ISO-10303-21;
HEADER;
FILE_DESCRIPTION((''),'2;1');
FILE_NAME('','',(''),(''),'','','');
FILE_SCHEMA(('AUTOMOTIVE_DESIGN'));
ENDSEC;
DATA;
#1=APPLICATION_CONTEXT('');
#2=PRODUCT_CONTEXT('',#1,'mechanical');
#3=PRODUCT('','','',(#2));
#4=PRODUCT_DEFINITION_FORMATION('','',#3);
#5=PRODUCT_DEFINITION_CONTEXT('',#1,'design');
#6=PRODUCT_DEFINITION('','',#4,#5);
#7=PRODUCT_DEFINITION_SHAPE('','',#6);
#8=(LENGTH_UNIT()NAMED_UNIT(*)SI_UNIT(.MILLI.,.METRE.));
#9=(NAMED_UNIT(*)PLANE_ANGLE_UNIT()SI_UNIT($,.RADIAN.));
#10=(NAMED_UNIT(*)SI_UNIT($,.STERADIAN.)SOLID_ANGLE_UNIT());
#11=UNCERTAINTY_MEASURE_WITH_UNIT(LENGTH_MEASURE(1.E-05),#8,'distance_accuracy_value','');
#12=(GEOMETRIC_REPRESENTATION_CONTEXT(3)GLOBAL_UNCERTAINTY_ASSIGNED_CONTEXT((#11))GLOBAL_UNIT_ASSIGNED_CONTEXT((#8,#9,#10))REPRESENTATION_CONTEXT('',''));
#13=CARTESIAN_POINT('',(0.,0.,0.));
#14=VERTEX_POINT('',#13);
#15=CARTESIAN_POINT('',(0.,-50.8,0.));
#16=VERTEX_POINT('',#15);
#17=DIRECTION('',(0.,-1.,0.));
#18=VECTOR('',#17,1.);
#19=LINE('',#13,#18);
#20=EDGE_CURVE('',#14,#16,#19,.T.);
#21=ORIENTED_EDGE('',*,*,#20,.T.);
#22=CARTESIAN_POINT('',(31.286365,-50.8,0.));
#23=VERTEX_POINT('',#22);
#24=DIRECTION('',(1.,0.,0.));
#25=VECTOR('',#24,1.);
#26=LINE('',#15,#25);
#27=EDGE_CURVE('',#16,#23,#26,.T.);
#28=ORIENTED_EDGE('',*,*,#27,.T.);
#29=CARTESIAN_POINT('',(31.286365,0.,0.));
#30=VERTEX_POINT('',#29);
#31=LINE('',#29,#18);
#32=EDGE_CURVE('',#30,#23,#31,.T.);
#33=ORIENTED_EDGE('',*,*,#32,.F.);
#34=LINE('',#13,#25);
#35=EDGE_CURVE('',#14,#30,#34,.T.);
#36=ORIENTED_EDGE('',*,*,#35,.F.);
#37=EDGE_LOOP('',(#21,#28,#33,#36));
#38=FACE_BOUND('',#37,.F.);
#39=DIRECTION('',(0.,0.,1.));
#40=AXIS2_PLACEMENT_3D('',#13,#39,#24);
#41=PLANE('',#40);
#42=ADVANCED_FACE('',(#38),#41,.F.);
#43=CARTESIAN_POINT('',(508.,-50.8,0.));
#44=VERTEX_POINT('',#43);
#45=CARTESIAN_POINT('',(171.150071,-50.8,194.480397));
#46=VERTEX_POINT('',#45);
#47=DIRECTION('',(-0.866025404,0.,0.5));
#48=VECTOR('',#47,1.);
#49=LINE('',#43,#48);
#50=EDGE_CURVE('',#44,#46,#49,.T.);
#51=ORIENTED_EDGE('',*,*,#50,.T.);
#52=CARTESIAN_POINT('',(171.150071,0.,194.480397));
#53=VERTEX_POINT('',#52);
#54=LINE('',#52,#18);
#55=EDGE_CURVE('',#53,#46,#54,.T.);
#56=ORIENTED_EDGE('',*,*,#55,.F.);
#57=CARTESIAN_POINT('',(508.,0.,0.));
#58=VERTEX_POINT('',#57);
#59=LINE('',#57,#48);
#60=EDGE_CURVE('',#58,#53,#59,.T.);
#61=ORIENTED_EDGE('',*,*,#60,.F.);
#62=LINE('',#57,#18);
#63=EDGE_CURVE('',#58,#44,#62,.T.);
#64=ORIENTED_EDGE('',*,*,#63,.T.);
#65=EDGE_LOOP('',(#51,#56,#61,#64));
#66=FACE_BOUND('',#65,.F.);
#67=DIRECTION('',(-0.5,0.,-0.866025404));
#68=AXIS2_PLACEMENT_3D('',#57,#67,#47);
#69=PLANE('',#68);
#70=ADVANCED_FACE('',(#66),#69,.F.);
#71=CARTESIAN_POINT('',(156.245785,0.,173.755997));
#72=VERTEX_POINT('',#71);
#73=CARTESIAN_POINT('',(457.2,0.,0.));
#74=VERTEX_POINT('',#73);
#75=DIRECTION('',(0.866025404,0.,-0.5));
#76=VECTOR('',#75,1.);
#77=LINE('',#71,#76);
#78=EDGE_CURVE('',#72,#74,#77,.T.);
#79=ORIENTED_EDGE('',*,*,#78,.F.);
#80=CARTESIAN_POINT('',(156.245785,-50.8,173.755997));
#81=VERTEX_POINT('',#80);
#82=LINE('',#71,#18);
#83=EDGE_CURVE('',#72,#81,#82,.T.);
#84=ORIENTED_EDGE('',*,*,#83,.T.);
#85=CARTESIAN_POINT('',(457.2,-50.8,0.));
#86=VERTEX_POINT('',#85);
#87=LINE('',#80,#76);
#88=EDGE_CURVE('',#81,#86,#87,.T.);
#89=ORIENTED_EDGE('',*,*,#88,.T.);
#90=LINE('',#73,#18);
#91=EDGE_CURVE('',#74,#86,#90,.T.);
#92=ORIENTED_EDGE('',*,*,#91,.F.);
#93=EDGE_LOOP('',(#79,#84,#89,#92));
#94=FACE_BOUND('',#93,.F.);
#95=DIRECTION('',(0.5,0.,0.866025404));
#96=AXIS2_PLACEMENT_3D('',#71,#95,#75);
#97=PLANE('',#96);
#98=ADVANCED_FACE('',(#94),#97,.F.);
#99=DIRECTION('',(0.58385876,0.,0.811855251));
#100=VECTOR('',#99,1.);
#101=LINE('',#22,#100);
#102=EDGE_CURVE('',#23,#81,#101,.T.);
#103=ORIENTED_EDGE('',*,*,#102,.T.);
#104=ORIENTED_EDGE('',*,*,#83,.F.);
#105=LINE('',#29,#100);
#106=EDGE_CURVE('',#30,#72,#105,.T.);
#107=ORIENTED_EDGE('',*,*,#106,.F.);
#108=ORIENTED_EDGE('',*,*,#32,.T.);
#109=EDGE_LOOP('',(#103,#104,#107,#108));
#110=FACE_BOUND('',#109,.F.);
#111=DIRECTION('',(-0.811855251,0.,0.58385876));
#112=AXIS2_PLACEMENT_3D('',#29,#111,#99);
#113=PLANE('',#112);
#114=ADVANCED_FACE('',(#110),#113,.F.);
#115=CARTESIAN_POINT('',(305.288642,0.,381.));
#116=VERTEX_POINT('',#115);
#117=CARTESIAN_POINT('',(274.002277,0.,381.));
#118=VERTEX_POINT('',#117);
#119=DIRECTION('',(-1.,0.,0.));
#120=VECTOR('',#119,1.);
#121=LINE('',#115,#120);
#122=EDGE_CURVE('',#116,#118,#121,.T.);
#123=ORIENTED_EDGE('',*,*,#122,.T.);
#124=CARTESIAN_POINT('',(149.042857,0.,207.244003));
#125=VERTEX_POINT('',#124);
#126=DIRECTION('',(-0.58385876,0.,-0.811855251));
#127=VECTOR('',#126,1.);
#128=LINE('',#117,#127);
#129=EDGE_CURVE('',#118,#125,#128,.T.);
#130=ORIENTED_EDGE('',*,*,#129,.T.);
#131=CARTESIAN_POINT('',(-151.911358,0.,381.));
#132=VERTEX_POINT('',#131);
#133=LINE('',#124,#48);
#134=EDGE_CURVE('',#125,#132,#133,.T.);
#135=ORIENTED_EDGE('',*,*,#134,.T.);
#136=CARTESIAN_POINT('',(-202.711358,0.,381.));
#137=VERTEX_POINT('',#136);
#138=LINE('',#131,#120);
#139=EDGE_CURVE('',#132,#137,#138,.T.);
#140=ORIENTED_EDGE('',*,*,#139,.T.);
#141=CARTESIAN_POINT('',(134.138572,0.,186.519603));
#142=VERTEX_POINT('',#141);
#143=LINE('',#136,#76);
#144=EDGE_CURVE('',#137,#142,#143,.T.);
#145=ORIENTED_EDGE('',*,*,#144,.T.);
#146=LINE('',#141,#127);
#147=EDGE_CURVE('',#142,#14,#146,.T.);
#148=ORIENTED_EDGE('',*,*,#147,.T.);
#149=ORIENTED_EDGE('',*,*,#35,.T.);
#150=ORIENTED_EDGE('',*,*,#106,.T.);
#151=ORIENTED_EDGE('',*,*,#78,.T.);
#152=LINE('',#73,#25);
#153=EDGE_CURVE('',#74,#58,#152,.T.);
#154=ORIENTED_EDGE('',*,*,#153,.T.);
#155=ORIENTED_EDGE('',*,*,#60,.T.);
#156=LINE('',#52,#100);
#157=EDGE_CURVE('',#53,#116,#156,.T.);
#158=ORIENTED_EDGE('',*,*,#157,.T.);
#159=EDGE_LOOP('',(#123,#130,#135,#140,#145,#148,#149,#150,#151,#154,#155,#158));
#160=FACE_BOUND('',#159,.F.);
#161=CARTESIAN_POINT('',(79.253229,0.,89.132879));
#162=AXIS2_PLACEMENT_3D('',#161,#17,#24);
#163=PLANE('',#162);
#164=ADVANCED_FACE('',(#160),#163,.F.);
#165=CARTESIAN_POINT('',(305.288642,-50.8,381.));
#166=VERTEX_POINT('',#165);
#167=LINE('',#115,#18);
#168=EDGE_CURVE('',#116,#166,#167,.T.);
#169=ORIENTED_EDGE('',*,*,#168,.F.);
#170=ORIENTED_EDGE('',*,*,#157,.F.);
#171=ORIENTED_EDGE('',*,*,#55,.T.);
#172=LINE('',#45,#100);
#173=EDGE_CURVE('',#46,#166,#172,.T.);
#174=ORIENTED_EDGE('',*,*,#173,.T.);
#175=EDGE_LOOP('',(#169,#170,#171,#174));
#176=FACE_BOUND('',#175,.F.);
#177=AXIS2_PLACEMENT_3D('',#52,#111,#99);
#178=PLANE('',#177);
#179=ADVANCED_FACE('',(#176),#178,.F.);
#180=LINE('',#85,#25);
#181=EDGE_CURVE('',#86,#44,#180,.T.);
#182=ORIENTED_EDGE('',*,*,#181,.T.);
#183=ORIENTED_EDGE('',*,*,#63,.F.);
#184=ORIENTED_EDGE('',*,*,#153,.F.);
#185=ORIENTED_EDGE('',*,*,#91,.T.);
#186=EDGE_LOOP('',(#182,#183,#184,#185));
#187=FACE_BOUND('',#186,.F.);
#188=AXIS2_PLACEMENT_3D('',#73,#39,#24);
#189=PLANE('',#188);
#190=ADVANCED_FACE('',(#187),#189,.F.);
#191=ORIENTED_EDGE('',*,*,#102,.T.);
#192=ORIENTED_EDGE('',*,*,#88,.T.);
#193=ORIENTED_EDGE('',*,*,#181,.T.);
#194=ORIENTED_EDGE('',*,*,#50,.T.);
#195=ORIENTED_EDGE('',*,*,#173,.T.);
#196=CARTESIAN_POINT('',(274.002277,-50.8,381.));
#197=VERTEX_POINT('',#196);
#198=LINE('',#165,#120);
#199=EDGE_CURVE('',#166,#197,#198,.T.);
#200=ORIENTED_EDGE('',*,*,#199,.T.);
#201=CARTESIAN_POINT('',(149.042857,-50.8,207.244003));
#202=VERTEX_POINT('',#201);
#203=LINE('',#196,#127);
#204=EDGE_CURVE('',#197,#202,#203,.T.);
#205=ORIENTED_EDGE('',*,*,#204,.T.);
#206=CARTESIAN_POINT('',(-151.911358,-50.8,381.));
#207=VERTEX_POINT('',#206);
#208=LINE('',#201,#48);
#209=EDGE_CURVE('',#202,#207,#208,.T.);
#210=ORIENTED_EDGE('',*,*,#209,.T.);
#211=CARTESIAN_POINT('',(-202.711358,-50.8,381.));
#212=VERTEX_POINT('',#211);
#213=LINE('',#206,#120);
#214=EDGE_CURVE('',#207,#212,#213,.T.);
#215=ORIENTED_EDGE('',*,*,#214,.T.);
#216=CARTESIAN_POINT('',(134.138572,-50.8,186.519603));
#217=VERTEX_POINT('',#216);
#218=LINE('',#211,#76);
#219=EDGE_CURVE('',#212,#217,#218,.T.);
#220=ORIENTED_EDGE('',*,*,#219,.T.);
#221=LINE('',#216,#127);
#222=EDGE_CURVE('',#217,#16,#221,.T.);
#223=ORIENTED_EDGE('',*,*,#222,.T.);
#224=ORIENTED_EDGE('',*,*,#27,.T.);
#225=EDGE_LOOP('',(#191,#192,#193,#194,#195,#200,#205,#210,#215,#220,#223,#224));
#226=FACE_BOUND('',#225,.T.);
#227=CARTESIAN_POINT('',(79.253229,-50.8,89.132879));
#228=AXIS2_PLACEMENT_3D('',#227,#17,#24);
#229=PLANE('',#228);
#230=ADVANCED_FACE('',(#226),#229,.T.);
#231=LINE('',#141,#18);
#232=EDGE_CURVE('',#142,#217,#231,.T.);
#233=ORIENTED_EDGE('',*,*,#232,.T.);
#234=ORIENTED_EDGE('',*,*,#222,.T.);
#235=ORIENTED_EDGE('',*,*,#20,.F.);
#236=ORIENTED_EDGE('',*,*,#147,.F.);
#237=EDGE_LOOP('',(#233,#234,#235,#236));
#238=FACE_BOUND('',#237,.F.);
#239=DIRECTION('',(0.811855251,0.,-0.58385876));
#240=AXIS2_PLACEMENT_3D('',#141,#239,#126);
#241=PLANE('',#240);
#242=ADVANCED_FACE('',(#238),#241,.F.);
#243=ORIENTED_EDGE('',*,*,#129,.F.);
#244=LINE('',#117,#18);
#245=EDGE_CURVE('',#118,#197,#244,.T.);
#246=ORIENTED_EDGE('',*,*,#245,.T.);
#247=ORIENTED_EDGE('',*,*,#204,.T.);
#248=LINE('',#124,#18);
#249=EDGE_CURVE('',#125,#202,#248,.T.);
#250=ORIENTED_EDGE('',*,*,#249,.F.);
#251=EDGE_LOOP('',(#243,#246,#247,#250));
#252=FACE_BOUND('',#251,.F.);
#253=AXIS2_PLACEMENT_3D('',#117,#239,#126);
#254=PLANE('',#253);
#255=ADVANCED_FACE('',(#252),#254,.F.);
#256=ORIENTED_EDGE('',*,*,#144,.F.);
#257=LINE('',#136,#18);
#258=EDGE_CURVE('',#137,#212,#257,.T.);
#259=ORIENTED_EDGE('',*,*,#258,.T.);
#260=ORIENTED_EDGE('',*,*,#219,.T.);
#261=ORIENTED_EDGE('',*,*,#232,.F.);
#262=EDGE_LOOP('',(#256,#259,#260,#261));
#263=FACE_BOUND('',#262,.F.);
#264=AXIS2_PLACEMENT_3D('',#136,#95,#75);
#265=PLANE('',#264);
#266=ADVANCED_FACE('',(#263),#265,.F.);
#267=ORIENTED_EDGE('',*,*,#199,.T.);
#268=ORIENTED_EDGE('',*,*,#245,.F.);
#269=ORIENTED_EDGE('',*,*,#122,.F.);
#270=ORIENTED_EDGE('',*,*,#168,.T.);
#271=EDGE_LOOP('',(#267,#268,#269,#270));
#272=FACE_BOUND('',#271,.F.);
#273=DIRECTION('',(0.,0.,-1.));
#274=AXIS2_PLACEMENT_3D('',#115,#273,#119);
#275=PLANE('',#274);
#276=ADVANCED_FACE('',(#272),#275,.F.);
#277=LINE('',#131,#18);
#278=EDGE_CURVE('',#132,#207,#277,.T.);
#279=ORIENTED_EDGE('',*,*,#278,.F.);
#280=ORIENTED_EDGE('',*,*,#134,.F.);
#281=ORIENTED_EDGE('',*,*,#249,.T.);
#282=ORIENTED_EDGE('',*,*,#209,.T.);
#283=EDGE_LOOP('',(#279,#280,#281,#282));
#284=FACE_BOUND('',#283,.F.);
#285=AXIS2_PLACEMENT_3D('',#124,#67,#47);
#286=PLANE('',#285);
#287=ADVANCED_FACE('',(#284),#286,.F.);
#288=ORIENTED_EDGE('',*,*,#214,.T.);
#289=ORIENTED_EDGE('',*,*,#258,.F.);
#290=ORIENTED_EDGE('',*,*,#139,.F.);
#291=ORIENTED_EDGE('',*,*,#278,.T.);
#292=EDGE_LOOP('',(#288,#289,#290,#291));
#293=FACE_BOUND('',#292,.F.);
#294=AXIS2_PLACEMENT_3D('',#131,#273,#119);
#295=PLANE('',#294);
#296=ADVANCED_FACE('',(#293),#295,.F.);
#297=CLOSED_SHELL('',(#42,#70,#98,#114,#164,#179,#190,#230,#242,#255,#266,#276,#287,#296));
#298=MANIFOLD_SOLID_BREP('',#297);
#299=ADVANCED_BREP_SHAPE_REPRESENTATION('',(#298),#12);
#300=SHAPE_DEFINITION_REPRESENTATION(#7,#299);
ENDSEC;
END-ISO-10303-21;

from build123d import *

# Parameters (mm, degrees)
F1_DEPTH = 50.8


with BuildPart() as f1:
    # F0 (on Front) → F1 (new body)
    with BuildSketch(Plane.XZ):
        Polygon((134.1385716849, 186.5196026025), (0, 0), (31.28636535, 0), (156.2457848886, 173.7559971083), align=None)
        Polygon((149.0428574276, 207.2440028917), (134.1385716849, 186.5196026025), (156.2457848886, 173.7559971083), (171.1500706314, 194.4803973975), align=None)
        Polygon((-202.7113576837, 381), (134.1385716849, 186.5196026025), (149.0428574276, 207.2440028917), (-151.9113576837, 381), align=None)
        Polygon((171.1500706314, 194.4803973975), (156.2457848886, 173.7559971083), (457.2, 0), (508, 0), align=None)
        Polygon((274.0022769663, 381), (149.0428574276, 207.2440028917), (171.1500706314, 194.4803973975), (305.2886423163, 381), align=None)
    extrude(amount=F1_DEPTH)


solid = f1.part
